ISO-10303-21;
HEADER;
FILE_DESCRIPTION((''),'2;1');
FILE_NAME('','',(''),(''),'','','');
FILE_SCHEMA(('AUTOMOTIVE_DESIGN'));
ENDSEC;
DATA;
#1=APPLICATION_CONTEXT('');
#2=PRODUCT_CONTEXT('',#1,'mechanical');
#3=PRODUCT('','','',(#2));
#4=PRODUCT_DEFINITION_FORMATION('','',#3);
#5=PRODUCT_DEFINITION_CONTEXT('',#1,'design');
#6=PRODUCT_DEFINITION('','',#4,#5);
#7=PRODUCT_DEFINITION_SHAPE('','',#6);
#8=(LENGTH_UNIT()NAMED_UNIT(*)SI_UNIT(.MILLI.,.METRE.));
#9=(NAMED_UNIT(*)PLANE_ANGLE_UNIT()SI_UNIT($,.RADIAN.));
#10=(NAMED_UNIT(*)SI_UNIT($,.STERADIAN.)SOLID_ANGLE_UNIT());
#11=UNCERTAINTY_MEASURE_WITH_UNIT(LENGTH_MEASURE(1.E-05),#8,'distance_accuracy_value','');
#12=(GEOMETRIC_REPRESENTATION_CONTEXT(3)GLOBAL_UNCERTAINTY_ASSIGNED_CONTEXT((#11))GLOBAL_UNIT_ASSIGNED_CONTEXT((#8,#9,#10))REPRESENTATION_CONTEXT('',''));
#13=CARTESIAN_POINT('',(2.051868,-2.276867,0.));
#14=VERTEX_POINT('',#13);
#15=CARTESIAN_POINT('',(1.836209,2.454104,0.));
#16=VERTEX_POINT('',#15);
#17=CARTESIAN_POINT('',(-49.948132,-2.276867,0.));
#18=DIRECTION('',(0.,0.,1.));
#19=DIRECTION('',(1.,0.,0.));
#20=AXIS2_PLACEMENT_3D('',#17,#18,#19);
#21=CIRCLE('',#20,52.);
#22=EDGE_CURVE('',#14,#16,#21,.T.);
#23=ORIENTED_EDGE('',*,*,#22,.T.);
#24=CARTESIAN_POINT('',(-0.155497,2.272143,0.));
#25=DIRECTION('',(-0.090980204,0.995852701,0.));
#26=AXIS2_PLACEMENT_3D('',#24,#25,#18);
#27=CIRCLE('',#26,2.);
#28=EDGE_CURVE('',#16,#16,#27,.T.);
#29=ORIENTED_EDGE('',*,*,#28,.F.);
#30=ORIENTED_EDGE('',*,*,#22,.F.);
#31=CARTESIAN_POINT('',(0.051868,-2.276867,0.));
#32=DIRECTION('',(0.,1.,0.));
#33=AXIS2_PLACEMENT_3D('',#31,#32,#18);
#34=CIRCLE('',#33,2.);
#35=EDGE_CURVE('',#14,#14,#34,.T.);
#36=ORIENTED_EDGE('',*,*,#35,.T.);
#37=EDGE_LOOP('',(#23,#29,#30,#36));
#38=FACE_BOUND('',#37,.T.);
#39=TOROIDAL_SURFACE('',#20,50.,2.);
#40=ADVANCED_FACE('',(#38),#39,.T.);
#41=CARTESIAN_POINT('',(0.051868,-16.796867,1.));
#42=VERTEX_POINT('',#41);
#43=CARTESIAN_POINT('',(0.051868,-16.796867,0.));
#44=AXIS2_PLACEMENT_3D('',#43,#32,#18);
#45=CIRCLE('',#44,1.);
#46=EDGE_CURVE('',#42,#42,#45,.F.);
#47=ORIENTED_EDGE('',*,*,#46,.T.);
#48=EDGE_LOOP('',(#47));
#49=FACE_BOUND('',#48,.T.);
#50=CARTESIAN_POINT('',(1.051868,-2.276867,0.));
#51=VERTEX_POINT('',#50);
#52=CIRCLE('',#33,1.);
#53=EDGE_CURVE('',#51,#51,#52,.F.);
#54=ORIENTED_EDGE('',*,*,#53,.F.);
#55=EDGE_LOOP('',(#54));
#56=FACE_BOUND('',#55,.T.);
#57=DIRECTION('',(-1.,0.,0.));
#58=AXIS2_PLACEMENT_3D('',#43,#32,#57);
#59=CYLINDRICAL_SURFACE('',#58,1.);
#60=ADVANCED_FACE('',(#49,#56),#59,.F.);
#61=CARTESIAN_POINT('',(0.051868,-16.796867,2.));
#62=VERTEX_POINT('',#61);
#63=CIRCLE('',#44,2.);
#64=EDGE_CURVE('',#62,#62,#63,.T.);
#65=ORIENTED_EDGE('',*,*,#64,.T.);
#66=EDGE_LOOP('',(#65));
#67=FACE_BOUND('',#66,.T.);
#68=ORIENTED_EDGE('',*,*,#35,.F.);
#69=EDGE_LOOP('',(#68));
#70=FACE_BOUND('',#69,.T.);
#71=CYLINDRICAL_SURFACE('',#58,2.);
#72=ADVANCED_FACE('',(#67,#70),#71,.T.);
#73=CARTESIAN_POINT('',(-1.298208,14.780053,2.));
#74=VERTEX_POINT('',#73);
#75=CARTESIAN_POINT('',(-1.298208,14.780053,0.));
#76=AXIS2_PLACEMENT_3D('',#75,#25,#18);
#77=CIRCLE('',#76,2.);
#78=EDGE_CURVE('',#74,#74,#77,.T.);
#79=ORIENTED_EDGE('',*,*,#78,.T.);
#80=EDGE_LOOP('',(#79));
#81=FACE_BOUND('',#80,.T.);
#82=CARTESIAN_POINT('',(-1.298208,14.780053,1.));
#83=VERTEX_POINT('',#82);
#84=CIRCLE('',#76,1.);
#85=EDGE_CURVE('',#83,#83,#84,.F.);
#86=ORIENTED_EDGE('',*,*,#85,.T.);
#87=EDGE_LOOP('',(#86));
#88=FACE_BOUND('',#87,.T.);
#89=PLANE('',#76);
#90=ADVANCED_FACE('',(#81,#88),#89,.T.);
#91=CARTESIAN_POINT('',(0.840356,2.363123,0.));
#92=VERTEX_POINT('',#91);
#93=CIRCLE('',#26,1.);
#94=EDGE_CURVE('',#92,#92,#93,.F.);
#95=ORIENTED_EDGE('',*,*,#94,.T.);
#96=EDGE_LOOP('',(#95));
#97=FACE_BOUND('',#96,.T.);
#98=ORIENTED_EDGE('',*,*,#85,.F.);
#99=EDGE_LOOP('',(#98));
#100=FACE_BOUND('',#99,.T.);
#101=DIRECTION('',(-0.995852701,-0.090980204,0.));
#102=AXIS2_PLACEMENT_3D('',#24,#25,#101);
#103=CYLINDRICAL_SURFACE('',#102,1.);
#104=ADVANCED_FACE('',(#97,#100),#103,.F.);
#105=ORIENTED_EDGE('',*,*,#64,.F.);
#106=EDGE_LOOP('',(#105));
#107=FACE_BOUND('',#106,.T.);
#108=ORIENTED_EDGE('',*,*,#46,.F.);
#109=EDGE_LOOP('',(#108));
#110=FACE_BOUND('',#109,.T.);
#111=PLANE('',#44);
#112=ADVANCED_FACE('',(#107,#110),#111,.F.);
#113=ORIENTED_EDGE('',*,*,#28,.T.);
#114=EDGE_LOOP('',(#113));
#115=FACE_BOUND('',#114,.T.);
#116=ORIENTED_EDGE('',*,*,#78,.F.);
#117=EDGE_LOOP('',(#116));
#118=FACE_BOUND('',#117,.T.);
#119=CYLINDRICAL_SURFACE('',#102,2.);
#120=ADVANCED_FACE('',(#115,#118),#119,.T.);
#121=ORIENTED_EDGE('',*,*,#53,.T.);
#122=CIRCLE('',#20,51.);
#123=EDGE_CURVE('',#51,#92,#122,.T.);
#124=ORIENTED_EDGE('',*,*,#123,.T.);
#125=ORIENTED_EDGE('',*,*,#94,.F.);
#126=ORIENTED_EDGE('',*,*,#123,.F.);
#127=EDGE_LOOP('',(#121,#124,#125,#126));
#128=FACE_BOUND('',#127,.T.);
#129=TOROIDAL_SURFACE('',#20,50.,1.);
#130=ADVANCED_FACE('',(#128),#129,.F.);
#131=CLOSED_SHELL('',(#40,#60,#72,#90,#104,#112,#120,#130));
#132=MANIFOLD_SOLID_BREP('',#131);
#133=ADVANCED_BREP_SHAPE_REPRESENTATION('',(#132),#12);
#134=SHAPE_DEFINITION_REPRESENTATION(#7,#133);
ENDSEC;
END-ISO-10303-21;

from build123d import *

# Parameters (mm, degrees)
SKETCH2_R   = 2
SKETCH2_R_2 = 1


with BuildPart() as part:
    # Sweep1: sweep along a path in Sketch1
    with BuildLine(Plane.XY) as sweep1_path:
        Line((0.051868138, -16.796867035), (0.051868138, -2.276867035))
        ThreePointArc((0.051868138, -2.276867035), (0, 0), (-0.155496802, 2.272143161))
        Line((-0.155496802, 2.272143161), (-1.298208163, 14.780053088))
    # Sketch2 → Sweep1 (sweep)
    with BuildSketch(Plane(origin=(0, -16.796867035, 0), x_dir=(1, 0, 0), z_dir=(0, 1, 0))):
        with Locations((0.051868138, 0)):
            Circle(SKETCH2_R)
        with Locations((0.051868138, 0)):
            Circle(SKETCH2_R_2, mode=Mode.SUBTRACT)
    sweep(path=sweep1_path.line)


solid = part.part
